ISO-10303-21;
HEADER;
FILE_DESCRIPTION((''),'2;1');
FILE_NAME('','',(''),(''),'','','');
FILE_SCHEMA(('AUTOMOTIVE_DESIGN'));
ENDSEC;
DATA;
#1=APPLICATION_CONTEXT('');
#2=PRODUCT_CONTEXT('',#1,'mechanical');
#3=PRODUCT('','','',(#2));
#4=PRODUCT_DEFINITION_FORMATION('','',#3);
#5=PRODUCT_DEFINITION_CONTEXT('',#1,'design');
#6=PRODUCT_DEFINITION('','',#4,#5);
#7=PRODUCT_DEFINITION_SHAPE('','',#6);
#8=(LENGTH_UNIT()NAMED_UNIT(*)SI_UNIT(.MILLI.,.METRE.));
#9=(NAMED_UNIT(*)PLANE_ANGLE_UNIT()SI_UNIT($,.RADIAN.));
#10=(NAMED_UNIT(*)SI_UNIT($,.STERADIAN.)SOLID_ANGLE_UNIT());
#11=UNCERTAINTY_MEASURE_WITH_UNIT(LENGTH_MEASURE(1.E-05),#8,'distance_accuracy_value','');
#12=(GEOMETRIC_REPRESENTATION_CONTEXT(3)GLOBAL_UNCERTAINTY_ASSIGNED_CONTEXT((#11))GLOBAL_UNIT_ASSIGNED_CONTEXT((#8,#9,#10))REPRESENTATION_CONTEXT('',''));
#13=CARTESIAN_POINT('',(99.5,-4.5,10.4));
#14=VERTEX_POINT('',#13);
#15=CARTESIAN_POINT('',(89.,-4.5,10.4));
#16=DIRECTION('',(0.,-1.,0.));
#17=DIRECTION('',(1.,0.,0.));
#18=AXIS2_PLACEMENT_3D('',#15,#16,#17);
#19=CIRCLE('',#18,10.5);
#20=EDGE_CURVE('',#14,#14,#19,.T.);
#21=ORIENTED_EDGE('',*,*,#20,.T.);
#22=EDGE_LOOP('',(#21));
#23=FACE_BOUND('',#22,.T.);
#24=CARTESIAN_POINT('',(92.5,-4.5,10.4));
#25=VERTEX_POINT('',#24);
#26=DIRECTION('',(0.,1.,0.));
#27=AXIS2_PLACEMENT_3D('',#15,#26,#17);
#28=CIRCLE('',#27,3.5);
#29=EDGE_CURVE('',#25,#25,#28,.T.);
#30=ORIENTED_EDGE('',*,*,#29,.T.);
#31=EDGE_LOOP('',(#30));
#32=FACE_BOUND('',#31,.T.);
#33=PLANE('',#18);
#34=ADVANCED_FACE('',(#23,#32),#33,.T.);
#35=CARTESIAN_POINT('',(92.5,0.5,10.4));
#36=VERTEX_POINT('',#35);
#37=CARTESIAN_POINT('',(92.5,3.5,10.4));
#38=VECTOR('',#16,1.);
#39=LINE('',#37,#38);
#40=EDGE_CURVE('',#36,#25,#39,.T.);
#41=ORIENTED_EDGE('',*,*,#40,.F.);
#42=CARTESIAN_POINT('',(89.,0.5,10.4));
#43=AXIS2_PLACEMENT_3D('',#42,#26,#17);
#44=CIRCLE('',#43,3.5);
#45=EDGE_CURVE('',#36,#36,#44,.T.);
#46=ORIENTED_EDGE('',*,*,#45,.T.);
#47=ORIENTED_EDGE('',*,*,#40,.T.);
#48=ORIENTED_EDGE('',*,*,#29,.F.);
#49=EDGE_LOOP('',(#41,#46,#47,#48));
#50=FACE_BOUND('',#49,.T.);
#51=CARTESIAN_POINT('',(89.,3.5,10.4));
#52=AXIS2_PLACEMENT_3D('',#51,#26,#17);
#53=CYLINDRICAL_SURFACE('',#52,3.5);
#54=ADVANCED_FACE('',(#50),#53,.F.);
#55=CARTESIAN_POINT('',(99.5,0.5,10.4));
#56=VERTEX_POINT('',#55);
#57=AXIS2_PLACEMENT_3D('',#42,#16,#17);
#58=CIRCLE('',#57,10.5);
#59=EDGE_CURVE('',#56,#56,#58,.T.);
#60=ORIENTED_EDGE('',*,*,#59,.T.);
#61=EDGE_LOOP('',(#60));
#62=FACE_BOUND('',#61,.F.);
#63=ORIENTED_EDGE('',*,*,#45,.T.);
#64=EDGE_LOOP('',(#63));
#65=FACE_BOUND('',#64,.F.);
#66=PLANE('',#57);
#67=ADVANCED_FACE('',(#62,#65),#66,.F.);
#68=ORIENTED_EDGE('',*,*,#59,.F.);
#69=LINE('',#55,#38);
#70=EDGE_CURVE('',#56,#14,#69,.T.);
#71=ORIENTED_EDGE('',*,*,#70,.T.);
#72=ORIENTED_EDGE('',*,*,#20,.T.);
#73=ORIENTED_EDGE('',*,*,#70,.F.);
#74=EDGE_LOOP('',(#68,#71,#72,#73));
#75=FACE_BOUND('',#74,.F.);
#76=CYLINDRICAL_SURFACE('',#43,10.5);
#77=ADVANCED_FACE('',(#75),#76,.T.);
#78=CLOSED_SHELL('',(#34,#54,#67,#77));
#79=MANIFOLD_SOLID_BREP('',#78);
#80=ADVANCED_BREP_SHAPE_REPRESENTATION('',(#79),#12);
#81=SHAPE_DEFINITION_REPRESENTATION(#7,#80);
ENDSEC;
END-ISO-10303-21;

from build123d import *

# Parameters (mm, degrees)
CYLINDER013_R                = 3.5
CYLINDER013_DEPTH            = 10
CYLINDER012_R                = 10.5
CYLINDER012_DEPTH            = 5
CUT005014015_PLACEMENT_ANGLE = 90


with BuildPart() as cylinder013:
    # Cylinder013 → Cylinder013 (new body)
    with BuildSketch(Plane.XY.offset(-3)):
        Circle(CYLINDER013_R)
    extrude(amount=CYLINDER013_DEPTH)


with BuildPart() as iman004:
    # Cylinder012 → Cylinder012 (new body)
    with BuildSketch(Plane.XY):
        Circle(CYLINDER012_R)
    extrude(amount=CYLINDER012_DEPTH)

    # Cut005014015: cut Cylinder013
    add(cylinder013.part, mode=Mode.SUBTRACT)


with BuildPart() as iman004_1:
    # Cut005014015 placement: moved
    add(iman004.part.moved(Location((89, 0.5, 10.4))).rotate(Axis((89, 0.5, 10.4), (1, 0, 0)), CUT005014015_PLACEMENT_ANGLE))


solid = iman004_1.part
